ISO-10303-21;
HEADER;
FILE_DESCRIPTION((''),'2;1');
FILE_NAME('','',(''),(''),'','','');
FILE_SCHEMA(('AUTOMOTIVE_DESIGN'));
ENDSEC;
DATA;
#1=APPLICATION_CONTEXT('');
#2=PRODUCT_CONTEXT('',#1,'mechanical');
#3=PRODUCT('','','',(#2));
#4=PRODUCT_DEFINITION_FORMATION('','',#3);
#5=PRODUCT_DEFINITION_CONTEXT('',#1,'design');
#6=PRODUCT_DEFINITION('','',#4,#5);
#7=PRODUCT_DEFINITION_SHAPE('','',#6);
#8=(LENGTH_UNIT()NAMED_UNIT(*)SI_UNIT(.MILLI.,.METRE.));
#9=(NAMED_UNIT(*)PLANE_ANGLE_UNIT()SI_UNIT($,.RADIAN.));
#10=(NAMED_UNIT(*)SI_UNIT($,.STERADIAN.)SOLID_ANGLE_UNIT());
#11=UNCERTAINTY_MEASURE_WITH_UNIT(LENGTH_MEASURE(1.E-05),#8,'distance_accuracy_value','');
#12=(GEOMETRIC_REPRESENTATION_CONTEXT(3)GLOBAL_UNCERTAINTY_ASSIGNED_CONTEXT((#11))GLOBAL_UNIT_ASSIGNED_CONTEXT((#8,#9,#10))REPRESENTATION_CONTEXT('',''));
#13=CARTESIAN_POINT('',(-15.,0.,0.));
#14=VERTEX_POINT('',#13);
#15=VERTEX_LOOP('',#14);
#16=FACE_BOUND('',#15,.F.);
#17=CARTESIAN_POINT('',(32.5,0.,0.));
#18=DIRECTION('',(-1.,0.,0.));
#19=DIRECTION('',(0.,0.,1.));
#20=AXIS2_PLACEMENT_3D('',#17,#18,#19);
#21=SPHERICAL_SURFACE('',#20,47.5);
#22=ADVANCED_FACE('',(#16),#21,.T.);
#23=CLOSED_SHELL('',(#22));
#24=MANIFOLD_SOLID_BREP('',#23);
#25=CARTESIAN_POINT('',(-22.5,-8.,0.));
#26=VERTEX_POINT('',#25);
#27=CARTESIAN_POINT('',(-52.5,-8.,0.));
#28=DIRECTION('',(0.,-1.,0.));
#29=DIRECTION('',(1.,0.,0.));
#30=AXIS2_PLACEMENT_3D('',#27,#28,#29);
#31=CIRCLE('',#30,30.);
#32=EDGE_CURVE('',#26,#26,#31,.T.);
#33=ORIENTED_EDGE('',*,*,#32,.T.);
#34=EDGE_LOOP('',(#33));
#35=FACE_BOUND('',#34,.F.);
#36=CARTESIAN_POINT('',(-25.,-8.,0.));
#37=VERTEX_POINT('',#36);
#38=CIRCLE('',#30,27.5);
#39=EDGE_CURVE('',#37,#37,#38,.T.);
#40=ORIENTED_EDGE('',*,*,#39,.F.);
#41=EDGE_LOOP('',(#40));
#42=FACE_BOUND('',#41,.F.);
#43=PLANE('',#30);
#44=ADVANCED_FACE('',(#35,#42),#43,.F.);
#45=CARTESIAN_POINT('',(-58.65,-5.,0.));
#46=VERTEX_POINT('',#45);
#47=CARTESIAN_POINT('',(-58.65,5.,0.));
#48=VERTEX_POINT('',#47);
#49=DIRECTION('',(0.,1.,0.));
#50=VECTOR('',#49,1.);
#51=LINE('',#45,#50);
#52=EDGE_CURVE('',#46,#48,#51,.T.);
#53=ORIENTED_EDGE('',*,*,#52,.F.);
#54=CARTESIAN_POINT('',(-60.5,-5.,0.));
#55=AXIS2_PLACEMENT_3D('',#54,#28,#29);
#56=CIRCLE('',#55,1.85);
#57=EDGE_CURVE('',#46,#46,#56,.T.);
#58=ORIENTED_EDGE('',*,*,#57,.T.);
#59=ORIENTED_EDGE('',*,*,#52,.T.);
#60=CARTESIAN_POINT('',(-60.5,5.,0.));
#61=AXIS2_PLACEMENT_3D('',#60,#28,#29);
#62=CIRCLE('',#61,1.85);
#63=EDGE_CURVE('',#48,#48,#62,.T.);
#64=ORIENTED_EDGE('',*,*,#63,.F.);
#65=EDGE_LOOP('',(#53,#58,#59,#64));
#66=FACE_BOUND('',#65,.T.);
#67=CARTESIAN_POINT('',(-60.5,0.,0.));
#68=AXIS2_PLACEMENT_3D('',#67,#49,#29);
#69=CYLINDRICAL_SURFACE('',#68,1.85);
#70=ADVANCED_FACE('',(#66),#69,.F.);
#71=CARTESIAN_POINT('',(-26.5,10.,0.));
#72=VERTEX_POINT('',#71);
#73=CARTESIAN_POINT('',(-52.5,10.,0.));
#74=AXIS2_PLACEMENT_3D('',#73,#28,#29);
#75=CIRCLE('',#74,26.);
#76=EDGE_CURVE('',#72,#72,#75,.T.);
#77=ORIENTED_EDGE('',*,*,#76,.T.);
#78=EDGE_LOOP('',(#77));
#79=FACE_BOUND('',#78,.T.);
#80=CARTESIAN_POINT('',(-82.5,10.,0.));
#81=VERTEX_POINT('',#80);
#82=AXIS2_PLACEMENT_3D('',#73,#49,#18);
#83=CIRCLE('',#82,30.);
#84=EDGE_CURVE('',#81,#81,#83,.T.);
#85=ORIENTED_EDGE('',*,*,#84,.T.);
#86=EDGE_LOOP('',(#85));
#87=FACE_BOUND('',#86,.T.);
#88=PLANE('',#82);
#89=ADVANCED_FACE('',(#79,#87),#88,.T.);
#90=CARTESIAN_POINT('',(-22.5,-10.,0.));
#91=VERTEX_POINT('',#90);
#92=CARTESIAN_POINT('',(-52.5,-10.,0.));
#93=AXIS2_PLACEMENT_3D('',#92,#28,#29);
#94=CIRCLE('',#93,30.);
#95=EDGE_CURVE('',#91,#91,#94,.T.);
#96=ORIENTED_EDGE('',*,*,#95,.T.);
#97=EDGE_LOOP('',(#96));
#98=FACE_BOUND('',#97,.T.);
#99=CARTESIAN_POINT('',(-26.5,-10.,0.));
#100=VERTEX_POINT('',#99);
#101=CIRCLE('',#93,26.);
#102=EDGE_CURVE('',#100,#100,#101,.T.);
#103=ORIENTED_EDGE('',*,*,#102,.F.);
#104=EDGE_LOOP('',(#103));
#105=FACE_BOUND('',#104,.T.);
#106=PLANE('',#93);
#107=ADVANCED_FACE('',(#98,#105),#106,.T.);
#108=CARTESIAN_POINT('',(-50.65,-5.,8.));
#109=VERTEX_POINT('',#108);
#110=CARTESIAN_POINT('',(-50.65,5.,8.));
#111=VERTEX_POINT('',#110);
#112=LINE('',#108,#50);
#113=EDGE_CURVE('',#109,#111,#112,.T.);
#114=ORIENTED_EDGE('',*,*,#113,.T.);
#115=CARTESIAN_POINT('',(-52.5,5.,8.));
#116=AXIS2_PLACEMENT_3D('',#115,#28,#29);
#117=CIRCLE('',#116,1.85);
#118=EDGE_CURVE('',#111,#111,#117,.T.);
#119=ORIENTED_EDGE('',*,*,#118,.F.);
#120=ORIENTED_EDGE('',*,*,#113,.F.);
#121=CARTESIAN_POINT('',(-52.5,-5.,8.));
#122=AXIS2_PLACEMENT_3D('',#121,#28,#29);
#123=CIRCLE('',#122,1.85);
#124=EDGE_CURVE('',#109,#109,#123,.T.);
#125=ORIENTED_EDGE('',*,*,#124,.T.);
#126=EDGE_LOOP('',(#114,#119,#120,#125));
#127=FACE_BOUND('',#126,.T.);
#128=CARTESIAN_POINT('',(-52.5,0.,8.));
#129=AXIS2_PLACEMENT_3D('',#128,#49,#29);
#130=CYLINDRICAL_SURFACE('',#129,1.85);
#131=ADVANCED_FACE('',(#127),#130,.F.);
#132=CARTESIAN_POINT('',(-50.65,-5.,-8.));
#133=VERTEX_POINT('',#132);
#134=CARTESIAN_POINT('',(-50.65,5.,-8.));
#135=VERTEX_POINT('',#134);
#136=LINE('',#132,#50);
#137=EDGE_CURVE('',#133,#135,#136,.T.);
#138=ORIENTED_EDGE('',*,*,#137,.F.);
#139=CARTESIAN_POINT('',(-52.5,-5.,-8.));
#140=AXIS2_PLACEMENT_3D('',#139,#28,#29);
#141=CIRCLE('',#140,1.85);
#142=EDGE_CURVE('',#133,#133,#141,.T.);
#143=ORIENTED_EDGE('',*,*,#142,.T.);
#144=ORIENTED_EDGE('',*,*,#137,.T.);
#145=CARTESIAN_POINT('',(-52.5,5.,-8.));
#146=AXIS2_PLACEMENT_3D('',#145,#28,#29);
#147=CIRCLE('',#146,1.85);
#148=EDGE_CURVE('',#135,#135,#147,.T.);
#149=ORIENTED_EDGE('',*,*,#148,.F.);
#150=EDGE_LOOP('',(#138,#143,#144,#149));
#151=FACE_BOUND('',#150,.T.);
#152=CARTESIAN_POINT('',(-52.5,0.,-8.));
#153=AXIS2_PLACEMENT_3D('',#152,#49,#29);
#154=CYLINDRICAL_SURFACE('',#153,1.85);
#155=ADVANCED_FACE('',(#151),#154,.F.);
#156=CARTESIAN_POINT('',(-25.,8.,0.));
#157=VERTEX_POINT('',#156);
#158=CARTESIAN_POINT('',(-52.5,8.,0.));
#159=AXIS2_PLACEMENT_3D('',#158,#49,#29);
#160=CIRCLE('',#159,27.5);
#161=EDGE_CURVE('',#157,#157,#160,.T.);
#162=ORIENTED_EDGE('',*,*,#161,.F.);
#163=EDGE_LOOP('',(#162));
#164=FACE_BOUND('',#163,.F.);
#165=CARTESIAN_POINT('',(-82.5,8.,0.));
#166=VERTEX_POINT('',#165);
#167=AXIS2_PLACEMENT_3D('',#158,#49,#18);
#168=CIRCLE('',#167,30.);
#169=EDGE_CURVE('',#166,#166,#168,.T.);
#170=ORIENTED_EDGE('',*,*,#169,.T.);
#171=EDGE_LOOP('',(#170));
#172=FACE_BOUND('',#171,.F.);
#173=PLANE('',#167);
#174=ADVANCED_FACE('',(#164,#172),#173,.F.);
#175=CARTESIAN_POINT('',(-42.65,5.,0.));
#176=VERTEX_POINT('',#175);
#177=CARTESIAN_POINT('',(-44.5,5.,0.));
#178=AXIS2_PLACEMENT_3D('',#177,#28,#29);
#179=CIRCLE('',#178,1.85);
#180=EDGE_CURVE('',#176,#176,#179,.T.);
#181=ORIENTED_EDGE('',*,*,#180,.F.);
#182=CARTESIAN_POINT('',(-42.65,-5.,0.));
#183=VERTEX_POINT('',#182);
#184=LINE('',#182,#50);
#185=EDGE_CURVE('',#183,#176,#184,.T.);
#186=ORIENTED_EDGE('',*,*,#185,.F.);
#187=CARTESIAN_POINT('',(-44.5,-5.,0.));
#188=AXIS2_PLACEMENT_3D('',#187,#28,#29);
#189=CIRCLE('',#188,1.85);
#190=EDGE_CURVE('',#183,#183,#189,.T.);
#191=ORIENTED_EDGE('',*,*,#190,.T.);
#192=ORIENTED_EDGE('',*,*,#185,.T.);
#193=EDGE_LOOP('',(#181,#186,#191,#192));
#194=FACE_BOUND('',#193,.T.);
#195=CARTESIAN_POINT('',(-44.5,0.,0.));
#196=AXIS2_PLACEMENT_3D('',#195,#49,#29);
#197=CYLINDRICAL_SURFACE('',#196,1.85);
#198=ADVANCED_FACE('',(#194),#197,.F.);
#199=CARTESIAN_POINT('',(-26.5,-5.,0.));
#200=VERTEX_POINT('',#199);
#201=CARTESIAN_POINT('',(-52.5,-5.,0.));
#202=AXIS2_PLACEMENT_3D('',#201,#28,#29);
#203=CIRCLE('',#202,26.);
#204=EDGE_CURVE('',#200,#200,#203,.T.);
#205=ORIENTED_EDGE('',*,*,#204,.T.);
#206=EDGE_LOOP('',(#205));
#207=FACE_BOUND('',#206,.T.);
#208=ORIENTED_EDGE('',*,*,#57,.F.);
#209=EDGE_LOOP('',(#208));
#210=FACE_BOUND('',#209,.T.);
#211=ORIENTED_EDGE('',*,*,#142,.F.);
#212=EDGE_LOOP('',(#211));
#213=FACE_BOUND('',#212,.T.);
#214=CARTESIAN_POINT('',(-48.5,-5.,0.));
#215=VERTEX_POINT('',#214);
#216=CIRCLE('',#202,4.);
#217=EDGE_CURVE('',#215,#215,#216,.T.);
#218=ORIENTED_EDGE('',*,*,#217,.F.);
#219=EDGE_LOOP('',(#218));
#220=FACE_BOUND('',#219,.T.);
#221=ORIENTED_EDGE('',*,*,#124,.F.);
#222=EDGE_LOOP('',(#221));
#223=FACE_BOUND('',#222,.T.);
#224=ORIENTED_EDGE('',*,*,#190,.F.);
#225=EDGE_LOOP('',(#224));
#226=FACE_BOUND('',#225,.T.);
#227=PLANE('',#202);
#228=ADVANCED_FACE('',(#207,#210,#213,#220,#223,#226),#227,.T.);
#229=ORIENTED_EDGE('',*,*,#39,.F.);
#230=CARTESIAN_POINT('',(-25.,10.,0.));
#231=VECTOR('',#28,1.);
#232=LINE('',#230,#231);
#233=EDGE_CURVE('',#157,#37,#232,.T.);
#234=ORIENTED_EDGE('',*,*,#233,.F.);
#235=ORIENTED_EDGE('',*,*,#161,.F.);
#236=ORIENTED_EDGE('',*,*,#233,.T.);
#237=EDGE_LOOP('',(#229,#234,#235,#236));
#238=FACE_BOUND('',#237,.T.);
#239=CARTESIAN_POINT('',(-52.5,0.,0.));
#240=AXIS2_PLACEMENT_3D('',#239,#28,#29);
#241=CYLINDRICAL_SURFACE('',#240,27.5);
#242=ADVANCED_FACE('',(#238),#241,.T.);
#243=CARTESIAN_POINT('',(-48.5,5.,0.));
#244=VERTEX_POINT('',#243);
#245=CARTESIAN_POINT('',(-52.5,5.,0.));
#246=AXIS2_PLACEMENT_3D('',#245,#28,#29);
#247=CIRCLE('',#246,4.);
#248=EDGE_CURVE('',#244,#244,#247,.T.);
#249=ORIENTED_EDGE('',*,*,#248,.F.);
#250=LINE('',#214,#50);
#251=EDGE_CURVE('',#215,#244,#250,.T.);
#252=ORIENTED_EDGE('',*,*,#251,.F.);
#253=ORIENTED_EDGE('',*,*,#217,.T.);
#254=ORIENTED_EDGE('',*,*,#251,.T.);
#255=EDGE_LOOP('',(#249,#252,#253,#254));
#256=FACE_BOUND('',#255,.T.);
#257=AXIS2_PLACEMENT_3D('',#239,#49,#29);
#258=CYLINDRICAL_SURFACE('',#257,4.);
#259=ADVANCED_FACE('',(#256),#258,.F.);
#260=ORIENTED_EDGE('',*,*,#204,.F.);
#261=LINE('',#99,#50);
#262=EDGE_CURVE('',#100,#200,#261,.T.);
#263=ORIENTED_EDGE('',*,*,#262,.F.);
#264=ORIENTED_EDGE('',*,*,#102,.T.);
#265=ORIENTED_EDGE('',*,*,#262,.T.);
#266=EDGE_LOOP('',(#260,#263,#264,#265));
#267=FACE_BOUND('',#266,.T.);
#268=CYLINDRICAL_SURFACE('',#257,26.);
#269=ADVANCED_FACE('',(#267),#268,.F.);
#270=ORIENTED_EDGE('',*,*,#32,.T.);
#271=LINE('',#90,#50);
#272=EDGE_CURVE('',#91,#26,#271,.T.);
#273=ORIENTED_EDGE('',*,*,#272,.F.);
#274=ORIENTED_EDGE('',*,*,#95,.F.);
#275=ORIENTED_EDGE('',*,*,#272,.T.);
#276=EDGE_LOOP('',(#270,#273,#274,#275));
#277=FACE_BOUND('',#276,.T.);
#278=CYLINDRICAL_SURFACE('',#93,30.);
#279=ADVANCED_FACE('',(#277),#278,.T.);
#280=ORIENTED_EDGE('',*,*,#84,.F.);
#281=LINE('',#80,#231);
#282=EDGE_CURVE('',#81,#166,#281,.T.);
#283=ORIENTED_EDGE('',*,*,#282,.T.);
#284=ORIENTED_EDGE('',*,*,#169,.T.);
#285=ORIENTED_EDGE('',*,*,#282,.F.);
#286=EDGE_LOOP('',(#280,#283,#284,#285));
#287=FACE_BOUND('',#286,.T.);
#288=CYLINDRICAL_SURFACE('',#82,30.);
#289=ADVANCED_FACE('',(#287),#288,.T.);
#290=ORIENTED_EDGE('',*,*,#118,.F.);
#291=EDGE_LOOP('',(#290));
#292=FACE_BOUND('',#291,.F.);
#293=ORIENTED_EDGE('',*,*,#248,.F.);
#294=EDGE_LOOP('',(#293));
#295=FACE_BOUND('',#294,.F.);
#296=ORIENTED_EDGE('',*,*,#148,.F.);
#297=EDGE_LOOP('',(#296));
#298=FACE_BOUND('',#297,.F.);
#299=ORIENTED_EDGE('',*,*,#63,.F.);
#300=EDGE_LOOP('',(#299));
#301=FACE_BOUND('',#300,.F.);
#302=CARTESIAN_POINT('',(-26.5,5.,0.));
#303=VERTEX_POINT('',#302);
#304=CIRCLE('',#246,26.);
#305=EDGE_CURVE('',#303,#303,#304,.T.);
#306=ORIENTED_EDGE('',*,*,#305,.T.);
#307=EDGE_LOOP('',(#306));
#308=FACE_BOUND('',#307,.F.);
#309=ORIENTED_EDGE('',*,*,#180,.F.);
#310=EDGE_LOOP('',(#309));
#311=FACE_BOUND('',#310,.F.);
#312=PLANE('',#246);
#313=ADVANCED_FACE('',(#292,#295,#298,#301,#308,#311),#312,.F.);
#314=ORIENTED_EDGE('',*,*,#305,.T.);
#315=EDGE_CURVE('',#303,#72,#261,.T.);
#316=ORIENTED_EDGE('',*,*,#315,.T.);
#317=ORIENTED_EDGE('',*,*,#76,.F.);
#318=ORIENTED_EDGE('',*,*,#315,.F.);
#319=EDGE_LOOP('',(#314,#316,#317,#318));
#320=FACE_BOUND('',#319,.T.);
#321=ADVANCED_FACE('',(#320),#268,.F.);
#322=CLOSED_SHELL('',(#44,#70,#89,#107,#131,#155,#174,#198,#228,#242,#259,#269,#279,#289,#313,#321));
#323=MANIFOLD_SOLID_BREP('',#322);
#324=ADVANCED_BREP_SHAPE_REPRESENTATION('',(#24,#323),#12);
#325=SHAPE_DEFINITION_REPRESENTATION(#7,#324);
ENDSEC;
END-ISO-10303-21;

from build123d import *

# Parameters (mm, degrees)
F3_R      = 26
F3_R_2    = 1.85
F3_R_3    = 4
F4_DEPTH  = 5
F6_R      = 27.5
F6_R_2    = 26
F7_DEPTH  = 10
F8_R      = 30
F8_R_2    = 27.5
F9_DEPTH  = 2
F10_R     = 30
F10_R_2   = 27.5
F11_DEPTH = 2


with BuildPart() as f4:
    # F3 (on face) → F4 (new body, symmetric)
    with BuildSketch(Plane.XZ):
        with Locations((-52.5, 0)):
            Circle(F3_R)
        with Locations((-52.5, -8)):
            Circle(F3_R_2, mode=Mode.SUBTRACT)
        with Locations((-60.5, 0)):
            Circle(F3_R_2, mode=Mode.SUBTRACT)
        with Locations((-52.5, 0)):
            Circle(F3_R_3, mode=Mode.SUBTRACT)
        with Locations((-44.5, 0)):
            Circle(F3_R_2, mode=Mode.SUBTRACT)
        with Locations((-52.5, 8)):
            Circle(F3_R_2, mode=Mode.SUBTRACT)
    extrude(amount=F4_DEPTH, both=True)

    # F6 (on Front) → F7 (join, symmetric)
    with BuildSketch(Plane.XZ):
        with Locations((-52.5, 0)):
            Circle(F6_R)
        with Locations((-52.5, 0)):
            Circle(F6_R_2, mode=Mode.SUBTRACT)
    extrude(amount=F7_DEPTH, both=True)

    # F8 (on face) → F9 (join)
    with BuildSketch(Plane.XZ.offset(10)):
        with Locations((-52.5, 0)):
            Circle(F8_R)
        with Locations((-52.5, 0)):
            Circle(F8_R_2, mode=Mode.SUBTRACT)
    extrude(amount=-F9_DEPTH)

    # F10 (on face) → F11 (join)
    with BuildSketch(Plane(origin=(0, 10, 0), x_dir=(-1, 0, 0), z_dir=(0, 1, 0))):
        with Locations((52.5, 0)):
            Circle(F10_R)
        with Locations((52.5, 0)):
            Circle(F10_R_2, mode=Mode.SUBTRACT)
    extrude(amount=-F11_DEPTH)


with BuildPart() as f12:
    # F1 (on Front) → F12 (revolve)
    with BuildSketch(Plane.XZ):
        with BuildLine():
            Line((-15, 0), (0, 0))
            Line((0, 0), (80, 0))
            ThreePointArc((80, 0), (32.5, 47.5), (-15, 0))
        make_face()
    revolve(axis=Axis((40, 0, 0), (1, 0, 0)))


solid = Compound([f4.part, f12.part])
